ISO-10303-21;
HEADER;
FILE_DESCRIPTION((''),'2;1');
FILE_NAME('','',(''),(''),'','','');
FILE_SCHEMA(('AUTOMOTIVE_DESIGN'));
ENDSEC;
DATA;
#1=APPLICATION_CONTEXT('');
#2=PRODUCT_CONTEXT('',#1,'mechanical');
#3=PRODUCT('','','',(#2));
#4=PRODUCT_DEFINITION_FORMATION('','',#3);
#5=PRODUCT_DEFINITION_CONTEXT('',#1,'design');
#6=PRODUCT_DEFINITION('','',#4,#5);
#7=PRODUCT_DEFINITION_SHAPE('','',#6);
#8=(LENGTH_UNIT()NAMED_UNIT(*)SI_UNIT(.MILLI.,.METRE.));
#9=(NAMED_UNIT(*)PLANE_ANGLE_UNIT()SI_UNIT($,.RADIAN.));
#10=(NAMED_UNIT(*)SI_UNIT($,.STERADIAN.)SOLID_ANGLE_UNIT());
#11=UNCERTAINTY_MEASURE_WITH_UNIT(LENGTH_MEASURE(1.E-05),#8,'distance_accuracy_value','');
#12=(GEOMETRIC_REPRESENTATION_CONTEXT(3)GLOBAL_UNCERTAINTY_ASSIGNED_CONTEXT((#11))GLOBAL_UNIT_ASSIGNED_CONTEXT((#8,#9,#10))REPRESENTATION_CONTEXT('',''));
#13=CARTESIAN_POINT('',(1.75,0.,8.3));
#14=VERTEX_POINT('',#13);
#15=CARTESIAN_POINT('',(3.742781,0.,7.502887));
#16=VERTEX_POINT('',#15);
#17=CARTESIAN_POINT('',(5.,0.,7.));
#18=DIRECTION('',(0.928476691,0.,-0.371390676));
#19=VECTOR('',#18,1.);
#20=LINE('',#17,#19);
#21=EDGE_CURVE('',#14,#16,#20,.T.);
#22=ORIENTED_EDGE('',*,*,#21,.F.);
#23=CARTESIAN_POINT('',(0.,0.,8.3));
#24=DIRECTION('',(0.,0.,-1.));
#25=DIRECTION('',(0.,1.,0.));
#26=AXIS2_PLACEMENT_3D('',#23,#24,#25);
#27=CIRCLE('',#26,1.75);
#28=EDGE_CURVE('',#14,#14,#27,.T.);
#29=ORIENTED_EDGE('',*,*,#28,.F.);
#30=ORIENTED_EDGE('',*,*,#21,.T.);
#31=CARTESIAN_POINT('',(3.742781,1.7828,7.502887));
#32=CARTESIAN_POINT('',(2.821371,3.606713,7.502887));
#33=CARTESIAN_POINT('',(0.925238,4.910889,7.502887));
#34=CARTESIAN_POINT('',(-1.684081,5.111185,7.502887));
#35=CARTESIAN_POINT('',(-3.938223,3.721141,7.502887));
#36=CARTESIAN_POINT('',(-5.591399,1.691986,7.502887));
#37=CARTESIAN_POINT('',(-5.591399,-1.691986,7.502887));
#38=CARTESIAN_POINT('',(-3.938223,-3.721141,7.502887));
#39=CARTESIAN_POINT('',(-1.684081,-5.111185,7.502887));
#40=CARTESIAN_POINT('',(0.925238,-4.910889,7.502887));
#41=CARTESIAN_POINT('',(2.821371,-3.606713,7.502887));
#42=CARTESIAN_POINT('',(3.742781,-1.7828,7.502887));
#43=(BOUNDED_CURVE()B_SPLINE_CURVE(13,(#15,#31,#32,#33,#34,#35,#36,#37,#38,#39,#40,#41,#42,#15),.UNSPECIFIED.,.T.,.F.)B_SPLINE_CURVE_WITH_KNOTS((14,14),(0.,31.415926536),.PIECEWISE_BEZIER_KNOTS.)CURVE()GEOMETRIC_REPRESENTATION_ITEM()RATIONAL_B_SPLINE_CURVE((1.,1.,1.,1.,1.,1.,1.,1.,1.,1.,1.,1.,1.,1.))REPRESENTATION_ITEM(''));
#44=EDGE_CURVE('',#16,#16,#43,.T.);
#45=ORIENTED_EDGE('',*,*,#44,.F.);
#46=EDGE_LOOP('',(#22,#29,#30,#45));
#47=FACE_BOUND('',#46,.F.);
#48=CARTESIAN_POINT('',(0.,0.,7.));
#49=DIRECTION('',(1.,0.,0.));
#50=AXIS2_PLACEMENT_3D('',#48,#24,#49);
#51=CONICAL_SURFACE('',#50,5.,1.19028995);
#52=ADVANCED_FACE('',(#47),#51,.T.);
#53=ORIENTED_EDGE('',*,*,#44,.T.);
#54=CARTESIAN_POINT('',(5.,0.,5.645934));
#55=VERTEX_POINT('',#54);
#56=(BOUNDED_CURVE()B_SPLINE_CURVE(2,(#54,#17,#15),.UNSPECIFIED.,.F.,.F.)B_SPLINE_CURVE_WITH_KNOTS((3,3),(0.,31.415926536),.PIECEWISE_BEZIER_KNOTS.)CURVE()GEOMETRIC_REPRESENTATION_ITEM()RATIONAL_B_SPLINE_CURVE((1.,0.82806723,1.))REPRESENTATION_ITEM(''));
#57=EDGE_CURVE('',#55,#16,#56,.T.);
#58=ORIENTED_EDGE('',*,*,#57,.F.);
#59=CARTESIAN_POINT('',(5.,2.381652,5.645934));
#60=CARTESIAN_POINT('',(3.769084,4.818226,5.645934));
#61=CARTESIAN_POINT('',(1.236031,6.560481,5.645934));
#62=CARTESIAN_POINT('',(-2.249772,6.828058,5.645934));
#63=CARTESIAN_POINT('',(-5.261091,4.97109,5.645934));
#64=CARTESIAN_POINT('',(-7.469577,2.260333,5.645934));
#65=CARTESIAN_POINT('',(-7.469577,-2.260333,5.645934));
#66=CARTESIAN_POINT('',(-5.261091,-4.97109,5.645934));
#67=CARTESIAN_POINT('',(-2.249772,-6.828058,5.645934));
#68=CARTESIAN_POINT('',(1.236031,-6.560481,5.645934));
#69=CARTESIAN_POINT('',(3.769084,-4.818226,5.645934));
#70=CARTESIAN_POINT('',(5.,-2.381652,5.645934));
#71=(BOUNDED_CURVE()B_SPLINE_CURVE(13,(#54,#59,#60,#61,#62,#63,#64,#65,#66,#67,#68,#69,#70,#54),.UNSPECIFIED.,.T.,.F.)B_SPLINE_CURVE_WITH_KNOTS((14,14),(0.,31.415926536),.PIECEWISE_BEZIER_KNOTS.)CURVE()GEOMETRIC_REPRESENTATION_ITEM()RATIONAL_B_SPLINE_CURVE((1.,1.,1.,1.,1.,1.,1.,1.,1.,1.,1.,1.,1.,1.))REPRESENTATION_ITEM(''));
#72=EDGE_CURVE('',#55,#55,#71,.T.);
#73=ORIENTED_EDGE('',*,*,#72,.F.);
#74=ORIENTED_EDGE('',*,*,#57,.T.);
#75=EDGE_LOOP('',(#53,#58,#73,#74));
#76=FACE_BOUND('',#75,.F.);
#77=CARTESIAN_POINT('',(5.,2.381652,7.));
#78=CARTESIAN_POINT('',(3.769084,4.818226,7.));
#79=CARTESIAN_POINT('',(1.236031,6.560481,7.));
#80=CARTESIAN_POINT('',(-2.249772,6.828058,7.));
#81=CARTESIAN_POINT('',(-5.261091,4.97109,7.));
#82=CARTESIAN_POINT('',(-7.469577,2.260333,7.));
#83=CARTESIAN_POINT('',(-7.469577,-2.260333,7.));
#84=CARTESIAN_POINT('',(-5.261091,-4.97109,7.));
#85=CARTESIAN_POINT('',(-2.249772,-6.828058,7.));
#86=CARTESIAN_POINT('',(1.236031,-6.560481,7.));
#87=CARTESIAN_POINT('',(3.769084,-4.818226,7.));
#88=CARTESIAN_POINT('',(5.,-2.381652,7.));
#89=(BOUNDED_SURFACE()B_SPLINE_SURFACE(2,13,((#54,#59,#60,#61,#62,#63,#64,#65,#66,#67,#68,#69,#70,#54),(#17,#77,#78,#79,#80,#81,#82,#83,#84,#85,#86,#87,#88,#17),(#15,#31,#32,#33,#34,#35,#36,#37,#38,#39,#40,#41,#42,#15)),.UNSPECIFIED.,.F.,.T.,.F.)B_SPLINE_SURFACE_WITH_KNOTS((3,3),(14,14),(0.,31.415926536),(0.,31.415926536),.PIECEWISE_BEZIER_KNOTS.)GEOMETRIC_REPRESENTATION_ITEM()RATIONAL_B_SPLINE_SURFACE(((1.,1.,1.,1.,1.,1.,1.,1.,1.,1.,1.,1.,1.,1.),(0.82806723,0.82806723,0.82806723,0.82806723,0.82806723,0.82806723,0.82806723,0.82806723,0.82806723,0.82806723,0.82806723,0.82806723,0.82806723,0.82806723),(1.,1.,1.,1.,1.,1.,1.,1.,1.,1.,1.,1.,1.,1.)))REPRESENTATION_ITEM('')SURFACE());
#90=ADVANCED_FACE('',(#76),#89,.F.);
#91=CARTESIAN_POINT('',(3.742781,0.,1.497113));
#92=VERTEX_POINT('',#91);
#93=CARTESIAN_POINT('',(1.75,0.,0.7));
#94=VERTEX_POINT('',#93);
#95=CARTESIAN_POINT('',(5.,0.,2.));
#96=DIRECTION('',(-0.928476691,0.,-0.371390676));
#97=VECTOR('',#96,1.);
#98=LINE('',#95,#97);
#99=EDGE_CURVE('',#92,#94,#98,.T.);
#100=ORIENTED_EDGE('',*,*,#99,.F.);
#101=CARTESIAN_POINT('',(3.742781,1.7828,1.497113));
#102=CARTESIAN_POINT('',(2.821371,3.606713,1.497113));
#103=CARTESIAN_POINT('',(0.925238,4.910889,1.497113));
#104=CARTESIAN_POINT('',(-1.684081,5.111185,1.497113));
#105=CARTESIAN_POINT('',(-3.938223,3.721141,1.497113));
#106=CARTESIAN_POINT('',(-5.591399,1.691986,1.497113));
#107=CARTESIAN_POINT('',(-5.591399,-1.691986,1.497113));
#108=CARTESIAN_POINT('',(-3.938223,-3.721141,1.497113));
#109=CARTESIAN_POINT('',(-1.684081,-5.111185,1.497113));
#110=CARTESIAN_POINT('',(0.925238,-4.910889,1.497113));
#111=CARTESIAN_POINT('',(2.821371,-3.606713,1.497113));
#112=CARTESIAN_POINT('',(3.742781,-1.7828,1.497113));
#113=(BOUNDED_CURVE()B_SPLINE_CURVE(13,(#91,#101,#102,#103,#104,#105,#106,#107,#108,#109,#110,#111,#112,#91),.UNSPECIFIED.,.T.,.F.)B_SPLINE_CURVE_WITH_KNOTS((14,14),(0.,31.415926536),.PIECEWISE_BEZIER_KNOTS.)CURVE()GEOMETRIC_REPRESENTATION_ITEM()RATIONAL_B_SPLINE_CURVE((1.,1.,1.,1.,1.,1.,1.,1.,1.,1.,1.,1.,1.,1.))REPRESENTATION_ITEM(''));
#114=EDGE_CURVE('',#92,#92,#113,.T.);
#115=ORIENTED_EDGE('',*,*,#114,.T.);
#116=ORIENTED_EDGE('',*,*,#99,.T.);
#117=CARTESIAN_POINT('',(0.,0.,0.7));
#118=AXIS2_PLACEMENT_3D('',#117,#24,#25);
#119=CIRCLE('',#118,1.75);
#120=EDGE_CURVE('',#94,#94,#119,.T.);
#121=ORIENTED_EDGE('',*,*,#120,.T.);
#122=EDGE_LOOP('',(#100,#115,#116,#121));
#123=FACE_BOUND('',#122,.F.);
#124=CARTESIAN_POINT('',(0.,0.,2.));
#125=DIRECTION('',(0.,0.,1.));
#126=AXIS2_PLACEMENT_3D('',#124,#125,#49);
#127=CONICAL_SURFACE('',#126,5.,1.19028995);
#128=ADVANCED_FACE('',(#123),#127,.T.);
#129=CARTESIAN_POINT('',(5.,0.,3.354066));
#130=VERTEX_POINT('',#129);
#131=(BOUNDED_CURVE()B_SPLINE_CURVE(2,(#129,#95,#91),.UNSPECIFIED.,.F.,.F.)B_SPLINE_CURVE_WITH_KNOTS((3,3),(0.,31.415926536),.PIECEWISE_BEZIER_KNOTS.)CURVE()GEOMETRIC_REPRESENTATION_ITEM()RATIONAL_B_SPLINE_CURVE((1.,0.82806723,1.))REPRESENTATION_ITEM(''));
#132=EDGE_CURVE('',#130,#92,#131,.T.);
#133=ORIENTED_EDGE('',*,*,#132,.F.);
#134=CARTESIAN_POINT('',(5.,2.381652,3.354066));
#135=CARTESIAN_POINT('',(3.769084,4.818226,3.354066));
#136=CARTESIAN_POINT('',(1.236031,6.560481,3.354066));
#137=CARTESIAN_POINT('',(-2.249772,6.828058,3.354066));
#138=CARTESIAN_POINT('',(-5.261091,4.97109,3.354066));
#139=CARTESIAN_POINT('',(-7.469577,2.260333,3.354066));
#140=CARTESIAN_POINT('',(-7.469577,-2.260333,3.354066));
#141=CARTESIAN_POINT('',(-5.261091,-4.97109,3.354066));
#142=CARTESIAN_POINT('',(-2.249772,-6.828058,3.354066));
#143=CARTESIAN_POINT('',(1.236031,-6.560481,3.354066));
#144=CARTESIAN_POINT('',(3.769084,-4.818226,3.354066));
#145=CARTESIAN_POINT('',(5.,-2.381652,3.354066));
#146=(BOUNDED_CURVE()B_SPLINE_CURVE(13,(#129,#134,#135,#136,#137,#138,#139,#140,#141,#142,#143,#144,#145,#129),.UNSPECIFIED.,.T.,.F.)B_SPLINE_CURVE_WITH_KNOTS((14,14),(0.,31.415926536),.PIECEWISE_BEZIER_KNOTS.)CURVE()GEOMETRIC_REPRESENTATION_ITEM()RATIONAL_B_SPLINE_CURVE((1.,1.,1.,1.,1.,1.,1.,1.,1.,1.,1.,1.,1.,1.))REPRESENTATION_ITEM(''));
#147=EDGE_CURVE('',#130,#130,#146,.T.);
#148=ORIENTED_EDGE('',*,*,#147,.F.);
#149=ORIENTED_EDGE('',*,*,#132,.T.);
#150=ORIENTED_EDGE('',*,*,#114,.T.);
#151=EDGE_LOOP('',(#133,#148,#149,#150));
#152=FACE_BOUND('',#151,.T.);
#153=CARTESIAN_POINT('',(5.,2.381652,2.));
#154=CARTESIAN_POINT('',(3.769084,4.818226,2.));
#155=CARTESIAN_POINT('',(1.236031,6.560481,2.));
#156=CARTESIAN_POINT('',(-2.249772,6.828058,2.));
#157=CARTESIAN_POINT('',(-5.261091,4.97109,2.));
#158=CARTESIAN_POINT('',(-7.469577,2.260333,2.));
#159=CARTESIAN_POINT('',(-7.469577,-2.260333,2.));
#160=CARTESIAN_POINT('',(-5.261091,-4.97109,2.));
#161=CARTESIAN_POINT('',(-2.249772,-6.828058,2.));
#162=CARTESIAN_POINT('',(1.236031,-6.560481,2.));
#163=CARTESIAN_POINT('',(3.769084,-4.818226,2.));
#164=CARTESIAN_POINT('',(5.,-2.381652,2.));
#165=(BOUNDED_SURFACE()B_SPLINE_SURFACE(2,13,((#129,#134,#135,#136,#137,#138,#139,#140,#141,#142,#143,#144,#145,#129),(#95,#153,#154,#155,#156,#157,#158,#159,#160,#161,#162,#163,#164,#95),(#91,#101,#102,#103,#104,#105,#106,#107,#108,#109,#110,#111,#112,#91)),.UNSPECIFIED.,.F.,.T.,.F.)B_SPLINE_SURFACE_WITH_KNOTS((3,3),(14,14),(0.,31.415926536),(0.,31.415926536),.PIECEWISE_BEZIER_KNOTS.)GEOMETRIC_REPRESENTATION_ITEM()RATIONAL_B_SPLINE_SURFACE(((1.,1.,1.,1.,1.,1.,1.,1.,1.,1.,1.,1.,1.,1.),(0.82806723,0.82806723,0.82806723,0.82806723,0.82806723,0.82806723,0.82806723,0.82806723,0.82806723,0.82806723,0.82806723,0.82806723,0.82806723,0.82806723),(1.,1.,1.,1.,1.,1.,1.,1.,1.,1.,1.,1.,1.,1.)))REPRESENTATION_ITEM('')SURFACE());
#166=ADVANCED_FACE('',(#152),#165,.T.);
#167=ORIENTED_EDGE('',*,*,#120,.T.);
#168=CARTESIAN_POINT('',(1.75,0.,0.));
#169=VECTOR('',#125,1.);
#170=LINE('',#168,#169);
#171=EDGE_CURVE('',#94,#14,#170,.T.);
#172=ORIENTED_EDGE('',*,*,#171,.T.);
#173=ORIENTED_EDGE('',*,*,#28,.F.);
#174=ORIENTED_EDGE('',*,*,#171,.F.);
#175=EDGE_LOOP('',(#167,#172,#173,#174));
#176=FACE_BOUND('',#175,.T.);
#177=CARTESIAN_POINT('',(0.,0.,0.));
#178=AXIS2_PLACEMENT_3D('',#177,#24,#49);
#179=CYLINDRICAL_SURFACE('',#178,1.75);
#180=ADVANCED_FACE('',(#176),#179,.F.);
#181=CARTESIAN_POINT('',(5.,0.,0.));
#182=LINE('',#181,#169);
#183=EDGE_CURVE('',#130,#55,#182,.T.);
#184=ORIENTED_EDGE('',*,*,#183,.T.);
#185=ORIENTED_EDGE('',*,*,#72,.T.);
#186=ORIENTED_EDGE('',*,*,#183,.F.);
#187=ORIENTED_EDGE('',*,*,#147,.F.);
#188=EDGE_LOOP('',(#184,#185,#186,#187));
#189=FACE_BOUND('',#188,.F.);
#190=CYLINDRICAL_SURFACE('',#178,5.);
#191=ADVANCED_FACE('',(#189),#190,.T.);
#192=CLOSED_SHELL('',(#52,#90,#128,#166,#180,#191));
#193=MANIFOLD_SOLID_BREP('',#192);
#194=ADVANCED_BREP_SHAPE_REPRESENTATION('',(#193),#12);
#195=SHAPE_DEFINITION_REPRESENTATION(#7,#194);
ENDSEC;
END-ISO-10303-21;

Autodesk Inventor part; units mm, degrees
ref_plane "YZ Plane" through (0, 0, 0) normal (1, 0, 0) x (0, 1, 0)
ref_plane "XZ Plane" through (0, 0, 0) normal (0, 1, 0) x (-1, 0, 0)
ref_plane "XY Plane" through (0, 0, 0) normal (0, 0, 1) x (1, 0, 0)
sketch "Sketch1" plane through (0, 0, 0) normal (0, 0, 1) x (1, 0, 0)
  circle A0 centre (0, 0) radius 5
  dimension "d0" = 10
extrude "Extrusion1" add sketch "Sketch1" along normal blind 9
chamfer "Chamfer1" distance 5 distance2 2 1 edges at (-5, 0, 9) measured on face at (-0.591, 1.5584, 9)
chamfer "Chamfer2" distance 2 distance2 5 1 edges at (-5, 0, 0) measured on face at (4.9838, -0.4023, 4.6667)
sketch "Sketch3" plane through (0, 0, 0) normal (0, 0, 1) x (1, 0, 0)
  circle A0 centre (0, 0) radius 1.75
  dimension "d11" = 3.5
extrude "Extrusion2" cut sketch "Sketch3" along normal blind 10
fillet "Fillet1" radius 2 2 edges at (-5, 0, 2) (-5, 0, 7)
properties part number "KoloPrzegubu"
